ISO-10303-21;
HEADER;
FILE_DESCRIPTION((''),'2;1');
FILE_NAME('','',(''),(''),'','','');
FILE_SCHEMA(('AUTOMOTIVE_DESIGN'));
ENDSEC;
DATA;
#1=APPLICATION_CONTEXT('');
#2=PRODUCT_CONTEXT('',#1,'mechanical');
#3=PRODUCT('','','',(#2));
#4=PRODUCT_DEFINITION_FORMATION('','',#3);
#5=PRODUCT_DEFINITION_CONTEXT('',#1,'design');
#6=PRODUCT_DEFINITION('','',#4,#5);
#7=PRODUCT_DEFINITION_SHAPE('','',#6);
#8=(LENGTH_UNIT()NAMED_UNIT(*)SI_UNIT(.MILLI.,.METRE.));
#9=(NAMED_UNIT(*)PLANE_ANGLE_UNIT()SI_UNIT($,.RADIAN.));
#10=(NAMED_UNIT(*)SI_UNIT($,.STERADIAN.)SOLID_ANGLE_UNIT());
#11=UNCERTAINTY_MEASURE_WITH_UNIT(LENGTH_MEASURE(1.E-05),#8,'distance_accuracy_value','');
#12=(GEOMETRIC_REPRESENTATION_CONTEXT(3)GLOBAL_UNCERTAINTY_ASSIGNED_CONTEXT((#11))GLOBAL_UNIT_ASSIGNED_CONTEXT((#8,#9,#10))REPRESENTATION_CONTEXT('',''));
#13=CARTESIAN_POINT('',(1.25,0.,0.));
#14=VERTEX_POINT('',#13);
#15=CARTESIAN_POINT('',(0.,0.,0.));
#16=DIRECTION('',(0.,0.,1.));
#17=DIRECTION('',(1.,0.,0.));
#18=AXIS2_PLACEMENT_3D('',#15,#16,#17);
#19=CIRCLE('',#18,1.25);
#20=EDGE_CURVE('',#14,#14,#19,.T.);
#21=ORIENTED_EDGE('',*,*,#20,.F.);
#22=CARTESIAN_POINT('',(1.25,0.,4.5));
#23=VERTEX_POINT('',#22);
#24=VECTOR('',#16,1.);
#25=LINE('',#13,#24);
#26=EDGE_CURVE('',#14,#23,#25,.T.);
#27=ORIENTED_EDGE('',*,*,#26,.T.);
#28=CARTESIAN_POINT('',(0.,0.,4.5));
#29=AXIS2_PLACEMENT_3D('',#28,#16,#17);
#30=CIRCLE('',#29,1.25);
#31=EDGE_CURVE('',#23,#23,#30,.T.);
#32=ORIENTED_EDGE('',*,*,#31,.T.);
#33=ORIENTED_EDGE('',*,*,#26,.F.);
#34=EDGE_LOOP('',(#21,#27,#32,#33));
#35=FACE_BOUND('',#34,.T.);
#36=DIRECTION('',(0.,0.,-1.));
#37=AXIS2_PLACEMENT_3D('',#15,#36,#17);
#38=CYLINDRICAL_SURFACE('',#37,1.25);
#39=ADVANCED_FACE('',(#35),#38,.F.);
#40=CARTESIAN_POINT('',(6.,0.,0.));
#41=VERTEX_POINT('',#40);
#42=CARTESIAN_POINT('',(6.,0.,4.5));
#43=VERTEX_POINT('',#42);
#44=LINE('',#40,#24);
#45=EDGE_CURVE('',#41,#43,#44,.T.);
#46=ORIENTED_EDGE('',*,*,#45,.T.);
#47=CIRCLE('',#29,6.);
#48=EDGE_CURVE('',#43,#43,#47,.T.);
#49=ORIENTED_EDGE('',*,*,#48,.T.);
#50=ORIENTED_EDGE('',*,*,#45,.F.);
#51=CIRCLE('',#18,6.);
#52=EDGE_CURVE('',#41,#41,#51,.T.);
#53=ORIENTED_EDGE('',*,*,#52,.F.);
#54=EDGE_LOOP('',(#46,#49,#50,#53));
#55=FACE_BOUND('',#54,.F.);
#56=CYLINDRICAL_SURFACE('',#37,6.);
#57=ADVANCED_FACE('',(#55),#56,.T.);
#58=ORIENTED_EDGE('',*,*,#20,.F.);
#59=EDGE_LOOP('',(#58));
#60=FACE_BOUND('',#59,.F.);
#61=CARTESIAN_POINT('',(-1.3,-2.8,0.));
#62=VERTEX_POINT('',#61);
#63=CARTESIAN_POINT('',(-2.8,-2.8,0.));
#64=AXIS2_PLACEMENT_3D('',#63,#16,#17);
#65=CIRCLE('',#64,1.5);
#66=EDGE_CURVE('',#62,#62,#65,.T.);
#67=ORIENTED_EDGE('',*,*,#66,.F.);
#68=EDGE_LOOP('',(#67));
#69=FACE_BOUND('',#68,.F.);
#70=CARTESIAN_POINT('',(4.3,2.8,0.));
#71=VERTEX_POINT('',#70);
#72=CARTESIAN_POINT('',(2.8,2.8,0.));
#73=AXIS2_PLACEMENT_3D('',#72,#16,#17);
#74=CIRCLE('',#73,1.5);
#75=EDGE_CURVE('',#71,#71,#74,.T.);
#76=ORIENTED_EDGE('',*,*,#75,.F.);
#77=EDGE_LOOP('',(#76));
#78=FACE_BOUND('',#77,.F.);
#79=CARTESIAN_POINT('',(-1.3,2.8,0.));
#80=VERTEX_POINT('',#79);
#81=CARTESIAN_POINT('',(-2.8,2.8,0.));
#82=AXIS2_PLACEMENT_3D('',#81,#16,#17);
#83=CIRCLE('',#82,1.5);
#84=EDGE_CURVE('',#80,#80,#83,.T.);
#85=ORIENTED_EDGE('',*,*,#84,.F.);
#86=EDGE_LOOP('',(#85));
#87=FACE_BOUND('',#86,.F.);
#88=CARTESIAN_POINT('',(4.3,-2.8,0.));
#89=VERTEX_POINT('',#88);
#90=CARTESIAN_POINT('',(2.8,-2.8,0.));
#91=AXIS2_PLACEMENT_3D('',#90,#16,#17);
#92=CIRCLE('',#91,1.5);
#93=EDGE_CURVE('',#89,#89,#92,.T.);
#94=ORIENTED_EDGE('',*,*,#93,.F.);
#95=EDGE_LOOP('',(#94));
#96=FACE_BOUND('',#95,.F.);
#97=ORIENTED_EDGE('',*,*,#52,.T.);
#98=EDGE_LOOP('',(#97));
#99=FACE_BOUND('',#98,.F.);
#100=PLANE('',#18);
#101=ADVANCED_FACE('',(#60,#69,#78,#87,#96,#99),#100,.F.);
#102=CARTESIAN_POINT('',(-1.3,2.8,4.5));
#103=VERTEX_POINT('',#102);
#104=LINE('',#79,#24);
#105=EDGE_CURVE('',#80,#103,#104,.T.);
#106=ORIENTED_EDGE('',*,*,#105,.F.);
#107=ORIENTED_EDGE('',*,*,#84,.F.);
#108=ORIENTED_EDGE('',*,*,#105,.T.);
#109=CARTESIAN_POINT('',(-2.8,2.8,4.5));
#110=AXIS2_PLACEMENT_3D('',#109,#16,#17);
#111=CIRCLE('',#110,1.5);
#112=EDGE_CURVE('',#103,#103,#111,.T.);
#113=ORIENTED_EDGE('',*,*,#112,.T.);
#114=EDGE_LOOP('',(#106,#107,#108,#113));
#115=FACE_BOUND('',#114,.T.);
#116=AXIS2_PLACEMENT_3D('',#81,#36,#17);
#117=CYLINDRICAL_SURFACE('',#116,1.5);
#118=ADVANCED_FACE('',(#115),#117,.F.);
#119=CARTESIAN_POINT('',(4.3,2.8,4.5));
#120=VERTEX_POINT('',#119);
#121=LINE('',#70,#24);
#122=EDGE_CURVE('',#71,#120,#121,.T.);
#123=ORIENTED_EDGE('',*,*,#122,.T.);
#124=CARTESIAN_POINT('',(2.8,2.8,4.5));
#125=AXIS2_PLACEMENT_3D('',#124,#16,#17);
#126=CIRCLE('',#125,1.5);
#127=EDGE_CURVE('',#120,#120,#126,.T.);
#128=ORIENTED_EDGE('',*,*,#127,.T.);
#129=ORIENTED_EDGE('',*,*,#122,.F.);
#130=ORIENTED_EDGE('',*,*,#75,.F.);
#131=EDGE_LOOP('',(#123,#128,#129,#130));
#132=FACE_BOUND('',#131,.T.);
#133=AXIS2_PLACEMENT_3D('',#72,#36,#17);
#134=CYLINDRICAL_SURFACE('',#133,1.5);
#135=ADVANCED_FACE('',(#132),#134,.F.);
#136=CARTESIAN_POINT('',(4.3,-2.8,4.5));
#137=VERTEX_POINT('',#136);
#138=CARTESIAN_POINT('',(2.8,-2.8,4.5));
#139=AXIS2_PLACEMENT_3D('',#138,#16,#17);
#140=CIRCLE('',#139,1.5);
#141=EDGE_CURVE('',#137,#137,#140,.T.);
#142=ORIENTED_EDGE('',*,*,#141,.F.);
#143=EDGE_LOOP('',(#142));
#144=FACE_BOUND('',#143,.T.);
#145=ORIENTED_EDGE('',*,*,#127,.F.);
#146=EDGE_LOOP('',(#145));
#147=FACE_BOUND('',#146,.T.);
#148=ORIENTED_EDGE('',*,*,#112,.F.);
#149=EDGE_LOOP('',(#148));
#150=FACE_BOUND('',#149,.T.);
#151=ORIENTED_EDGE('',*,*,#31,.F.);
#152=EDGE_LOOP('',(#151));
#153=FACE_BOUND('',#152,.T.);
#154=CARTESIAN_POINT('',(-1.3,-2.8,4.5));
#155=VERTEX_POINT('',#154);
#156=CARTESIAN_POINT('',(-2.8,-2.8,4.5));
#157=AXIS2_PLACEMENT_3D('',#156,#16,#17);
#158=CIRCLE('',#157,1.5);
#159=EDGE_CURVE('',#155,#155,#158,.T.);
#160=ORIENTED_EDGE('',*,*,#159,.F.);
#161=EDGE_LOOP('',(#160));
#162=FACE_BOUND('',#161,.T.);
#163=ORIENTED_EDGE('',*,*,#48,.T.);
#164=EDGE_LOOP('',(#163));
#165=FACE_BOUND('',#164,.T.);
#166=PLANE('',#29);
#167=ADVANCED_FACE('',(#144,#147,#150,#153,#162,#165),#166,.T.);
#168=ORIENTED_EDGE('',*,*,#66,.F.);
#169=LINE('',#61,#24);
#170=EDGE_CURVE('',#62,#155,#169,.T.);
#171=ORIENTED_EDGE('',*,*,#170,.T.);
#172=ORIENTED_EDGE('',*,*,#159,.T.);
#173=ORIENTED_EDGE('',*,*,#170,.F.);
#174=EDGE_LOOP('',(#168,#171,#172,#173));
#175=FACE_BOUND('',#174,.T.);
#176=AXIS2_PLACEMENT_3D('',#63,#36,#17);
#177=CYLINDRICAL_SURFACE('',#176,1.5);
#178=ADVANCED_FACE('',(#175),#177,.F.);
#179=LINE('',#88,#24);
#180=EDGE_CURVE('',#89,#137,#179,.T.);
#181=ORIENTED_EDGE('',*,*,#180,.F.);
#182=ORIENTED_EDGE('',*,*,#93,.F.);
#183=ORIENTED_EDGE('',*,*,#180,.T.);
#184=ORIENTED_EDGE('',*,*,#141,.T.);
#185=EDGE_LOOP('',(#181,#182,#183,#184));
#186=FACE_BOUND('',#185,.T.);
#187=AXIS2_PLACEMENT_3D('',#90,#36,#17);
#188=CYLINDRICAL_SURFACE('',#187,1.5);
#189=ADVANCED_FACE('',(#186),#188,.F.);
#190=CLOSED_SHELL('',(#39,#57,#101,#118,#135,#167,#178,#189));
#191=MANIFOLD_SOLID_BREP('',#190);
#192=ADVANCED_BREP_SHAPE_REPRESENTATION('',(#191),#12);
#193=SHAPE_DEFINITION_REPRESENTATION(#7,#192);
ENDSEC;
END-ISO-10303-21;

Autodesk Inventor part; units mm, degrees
ref_plane "YZ Plane" through (0, 0, 0) normal (1, 0, 0) x (0, 1, 0)
ref_plane "XZ Plane" through (0, 0, 0) normal (0, 1, 0) x (-1, 0, 0)
ref_plane "XY Plane" through (0, 0, 0) normal (0, 0, 1) x (1, 0, 0)
sketch "スケッチ1" plane through (0, 0, 0) normal (0, 0, 1) x (1, 0, 0)
  line L0 (-2.8, 2.8) -> (2.8, 2.8) construction
  line L1 (2.8, 2.8) -> (2.8, -2.8) construction
  line L2 (2.8, -2.8) -> (-2.8, -2.8) construction
  line L3 (-2.8, -2.8) -> (-2.8, 2.8) construction
  circle A0 centre (-2.8, 2.8) radius 1.5
  circle A1 centre (2.8, 2.8) radius 1.5
  circle A2 centre (2.8, -2.8) radius 1.5
  circle A3 centre (-2.8, -2.8) radius 1.5
  circle A4 centre (0, 0) radius 1.25
  circle A5 centre (0, 0) radius 6
  dimension "d0" = 3
  dimension "d1" = 3
  dimension "d2" = 3
  dimension "d3" = 3
  dimension "d4" = 5.6
  dimension "d5" = 2.5
  dimension "d6" = 12
extrude "押し出し1" add sketch "スケッチ1" along normal blind 4.5
properties part number "脚最終段カム3" material "アルミニウム 2014-T4"
